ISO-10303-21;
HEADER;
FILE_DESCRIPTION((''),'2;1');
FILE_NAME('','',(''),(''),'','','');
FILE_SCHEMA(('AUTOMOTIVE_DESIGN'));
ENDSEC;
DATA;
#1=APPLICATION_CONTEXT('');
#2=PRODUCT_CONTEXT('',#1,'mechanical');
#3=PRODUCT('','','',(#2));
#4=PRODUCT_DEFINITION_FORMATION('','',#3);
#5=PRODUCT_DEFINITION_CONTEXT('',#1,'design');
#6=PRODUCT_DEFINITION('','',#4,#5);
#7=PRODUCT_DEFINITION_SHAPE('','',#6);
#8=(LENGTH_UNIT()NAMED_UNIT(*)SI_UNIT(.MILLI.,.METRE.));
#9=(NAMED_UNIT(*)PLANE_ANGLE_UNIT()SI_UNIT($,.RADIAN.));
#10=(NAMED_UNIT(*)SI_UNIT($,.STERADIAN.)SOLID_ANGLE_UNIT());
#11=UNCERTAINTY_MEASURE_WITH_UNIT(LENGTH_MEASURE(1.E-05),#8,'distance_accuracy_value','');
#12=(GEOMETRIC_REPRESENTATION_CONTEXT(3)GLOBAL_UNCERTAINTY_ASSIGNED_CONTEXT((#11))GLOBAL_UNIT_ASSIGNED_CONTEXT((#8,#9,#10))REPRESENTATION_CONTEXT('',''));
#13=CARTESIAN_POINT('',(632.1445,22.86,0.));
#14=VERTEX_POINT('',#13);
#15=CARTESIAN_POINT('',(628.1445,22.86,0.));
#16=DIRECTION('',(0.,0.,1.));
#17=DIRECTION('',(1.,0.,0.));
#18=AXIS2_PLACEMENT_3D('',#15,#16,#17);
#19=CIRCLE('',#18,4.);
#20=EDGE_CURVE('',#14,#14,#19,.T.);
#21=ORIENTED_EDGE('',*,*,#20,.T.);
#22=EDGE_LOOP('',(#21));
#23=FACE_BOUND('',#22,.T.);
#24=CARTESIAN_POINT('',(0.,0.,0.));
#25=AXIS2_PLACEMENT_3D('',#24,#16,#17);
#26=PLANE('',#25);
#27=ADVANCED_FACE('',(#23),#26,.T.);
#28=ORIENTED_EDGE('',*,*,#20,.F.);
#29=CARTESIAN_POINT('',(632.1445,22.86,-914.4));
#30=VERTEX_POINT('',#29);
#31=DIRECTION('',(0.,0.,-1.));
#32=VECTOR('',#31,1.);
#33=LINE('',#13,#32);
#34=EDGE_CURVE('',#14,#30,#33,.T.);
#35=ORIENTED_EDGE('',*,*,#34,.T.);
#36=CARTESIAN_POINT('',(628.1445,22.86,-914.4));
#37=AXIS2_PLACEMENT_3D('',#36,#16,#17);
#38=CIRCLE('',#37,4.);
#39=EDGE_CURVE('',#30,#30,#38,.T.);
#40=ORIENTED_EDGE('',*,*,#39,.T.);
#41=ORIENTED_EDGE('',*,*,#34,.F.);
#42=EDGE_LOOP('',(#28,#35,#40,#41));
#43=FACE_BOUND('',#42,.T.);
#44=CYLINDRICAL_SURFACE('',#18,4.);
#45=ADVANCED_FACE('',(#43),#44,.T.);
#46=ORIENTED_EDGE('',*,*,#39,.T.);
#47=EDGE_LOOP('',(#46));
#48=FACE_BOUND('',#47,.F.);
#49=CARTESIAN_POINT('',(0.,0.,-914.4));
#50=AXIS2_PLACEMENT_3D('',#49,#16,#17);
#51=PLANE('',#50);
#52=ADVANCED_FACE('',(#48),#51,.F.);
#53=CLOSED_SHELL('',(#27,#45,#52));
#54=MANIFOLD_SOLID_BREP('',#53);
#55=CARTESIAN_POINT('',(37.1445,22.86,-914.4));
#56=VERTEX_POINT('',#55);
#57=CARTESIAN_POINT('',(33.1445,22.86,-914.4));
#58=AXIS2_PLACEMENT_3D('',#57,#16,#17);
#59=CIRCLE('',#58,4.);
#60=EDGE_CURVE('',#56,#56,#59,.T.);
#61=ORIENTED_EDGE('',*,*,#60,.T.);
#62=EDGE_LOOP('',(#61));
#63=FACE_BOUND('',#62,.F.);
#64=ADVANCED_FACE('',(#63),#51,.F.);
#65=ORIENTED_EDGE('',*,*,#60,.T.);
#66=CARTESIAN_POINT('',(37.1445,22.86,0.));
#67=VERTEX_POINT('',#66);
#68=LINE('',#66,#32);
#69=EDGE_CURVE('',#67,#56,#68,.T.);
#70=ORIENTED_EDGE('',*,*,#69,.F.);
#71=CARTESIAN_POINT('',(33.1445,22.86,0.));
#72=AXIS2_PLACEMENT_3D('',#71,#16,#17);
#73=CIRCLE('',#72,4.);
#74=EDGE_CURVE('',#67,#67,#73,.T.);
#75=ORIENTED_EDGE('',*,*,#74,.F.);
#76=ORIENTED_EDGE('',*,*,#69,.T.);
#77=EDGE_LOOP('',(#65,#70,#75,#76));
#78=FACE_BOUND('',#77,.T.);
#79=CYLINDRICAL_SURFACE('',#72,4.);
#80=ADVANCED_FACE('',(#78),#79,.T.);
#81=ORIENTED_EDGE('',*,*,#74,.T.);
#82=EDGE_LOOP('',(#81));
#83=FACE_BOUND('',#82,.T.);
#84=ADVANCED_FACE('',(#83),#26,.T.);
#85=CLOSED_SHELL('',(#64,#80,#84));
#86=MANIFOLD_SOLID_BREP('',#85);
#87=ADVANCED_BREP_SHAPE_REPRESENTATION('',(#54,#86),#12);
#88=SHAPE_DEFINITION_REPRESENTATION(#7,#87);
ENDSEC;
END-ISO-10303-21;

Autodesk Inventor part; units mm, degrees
ref_plane "YZ Plane" through (0, 0, 0) normal (1, 0, 0) x (0, 1, 0)
ref_plane "XZ Plane" through (0, 0, 0) normal (0, 1, 0) x (-1, 0, 0)
ref_plane "XY Plane" through (0, 0, 0) normal (0, 0, 1) x (1, 0, 0)
ref_plane "Work Plane1" through (0, 0, 0) normal (0, 0, 1) x (1, 0, 0)
sketch "Sketch1" plane through (0, 0, 0) normal (0, 0, 1) x (1, 0, 0)
  circle A0 centre (33.1445, 22.86) radius 4 projected
  circle A1 centre (628.1445, 22.86) radius 4 projected
  point P0 (0, 0)
extrude "Extrusion1" add sketch "Sketch1" against normal blind 914.4
properties part number "Be Rails"
